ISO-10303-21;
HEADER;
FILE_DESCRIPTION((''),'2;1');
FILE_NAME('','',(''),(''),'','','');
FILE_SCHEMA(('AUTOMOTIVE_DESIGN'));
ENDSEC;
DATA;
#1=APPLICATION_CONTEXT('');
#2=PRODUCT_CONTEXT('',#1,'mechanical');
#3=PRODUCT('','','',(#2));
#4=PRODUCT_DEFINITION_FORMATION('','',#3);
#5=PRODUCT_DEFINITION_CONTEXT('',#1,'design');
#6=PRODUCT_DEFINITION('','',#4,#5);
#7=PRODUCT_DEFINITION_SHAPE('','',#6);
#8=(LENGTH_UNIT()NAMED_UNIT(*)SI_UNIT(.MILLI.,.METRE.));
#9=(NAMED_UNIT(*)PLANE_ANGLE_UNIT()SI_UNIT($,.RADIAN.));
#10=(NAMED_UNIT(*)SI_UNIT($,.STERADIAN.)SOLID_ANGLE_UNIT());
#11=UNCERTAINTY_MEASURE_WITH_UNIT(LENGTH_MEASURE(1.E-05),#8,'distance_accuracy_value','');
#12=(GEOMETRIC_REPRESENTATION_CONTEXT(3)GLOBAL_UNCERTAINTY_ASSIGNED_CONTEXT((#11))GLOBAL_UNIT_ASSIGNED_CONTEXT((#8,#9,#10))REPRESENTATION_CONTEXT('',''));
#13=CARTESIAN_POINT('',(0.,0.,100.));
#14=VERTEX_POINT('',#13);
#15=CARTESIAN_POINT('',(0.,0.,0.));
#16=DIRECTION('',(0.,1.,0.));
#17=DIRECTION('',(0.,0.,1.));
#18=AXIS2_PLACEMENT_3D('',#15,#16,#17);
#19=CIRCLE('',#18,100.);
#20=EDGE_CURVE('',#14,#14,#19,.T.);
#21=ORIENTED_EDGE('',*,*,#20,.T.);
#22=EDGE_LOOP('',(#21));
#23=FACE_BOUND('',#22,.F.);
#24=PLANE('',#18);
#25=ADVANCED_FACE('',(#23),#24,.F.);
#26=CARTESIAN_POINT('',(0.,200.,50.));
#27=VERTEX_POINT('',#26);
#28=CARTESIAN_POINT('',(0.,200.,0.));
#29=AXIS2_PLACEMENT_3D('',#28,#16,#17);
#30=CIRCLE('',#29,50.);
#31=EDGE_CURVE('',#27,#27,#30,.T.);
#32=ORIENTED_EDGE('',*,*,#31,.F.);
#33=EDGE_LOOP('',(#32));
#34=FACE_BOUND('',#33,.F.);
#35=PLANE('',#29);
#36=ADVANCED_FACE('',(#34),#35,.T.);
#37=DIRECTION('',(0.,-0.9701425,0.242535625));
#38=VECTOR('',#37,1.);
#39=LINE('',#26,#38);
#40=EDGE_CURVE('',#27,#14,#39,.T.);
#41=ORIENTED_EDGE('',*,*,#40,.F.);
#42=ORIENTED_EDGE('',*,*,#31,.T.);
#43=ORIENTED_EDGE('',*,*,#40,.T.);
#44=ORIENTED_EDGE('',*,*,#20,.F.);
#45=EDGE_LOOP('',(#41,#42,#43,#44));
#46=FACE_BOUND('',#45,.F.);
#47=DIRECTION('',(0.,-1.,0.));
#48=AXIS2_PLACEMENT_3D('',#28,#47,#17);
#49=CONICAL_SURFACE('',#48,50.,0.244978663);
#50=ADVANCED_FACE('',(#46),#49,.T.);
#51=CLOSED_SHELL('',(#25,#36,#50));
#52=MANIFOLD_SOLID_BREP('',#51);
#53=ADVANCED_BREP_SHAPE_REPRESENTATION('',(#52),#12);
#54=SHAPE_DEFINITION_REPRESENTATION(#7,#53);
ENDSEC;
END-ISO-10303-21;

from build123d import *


with BuildPart() as f1:
    # F0 (on Right) → F1 (revolve)
    with BuildSketch(Plane.YZ):
        Polygon((0, 100), (0, 0), (200, 0), (200, 50), align=None)
    revolve(axis=Axis((0, 100, 0), (0, 1, 0)))


solid = f1.part
